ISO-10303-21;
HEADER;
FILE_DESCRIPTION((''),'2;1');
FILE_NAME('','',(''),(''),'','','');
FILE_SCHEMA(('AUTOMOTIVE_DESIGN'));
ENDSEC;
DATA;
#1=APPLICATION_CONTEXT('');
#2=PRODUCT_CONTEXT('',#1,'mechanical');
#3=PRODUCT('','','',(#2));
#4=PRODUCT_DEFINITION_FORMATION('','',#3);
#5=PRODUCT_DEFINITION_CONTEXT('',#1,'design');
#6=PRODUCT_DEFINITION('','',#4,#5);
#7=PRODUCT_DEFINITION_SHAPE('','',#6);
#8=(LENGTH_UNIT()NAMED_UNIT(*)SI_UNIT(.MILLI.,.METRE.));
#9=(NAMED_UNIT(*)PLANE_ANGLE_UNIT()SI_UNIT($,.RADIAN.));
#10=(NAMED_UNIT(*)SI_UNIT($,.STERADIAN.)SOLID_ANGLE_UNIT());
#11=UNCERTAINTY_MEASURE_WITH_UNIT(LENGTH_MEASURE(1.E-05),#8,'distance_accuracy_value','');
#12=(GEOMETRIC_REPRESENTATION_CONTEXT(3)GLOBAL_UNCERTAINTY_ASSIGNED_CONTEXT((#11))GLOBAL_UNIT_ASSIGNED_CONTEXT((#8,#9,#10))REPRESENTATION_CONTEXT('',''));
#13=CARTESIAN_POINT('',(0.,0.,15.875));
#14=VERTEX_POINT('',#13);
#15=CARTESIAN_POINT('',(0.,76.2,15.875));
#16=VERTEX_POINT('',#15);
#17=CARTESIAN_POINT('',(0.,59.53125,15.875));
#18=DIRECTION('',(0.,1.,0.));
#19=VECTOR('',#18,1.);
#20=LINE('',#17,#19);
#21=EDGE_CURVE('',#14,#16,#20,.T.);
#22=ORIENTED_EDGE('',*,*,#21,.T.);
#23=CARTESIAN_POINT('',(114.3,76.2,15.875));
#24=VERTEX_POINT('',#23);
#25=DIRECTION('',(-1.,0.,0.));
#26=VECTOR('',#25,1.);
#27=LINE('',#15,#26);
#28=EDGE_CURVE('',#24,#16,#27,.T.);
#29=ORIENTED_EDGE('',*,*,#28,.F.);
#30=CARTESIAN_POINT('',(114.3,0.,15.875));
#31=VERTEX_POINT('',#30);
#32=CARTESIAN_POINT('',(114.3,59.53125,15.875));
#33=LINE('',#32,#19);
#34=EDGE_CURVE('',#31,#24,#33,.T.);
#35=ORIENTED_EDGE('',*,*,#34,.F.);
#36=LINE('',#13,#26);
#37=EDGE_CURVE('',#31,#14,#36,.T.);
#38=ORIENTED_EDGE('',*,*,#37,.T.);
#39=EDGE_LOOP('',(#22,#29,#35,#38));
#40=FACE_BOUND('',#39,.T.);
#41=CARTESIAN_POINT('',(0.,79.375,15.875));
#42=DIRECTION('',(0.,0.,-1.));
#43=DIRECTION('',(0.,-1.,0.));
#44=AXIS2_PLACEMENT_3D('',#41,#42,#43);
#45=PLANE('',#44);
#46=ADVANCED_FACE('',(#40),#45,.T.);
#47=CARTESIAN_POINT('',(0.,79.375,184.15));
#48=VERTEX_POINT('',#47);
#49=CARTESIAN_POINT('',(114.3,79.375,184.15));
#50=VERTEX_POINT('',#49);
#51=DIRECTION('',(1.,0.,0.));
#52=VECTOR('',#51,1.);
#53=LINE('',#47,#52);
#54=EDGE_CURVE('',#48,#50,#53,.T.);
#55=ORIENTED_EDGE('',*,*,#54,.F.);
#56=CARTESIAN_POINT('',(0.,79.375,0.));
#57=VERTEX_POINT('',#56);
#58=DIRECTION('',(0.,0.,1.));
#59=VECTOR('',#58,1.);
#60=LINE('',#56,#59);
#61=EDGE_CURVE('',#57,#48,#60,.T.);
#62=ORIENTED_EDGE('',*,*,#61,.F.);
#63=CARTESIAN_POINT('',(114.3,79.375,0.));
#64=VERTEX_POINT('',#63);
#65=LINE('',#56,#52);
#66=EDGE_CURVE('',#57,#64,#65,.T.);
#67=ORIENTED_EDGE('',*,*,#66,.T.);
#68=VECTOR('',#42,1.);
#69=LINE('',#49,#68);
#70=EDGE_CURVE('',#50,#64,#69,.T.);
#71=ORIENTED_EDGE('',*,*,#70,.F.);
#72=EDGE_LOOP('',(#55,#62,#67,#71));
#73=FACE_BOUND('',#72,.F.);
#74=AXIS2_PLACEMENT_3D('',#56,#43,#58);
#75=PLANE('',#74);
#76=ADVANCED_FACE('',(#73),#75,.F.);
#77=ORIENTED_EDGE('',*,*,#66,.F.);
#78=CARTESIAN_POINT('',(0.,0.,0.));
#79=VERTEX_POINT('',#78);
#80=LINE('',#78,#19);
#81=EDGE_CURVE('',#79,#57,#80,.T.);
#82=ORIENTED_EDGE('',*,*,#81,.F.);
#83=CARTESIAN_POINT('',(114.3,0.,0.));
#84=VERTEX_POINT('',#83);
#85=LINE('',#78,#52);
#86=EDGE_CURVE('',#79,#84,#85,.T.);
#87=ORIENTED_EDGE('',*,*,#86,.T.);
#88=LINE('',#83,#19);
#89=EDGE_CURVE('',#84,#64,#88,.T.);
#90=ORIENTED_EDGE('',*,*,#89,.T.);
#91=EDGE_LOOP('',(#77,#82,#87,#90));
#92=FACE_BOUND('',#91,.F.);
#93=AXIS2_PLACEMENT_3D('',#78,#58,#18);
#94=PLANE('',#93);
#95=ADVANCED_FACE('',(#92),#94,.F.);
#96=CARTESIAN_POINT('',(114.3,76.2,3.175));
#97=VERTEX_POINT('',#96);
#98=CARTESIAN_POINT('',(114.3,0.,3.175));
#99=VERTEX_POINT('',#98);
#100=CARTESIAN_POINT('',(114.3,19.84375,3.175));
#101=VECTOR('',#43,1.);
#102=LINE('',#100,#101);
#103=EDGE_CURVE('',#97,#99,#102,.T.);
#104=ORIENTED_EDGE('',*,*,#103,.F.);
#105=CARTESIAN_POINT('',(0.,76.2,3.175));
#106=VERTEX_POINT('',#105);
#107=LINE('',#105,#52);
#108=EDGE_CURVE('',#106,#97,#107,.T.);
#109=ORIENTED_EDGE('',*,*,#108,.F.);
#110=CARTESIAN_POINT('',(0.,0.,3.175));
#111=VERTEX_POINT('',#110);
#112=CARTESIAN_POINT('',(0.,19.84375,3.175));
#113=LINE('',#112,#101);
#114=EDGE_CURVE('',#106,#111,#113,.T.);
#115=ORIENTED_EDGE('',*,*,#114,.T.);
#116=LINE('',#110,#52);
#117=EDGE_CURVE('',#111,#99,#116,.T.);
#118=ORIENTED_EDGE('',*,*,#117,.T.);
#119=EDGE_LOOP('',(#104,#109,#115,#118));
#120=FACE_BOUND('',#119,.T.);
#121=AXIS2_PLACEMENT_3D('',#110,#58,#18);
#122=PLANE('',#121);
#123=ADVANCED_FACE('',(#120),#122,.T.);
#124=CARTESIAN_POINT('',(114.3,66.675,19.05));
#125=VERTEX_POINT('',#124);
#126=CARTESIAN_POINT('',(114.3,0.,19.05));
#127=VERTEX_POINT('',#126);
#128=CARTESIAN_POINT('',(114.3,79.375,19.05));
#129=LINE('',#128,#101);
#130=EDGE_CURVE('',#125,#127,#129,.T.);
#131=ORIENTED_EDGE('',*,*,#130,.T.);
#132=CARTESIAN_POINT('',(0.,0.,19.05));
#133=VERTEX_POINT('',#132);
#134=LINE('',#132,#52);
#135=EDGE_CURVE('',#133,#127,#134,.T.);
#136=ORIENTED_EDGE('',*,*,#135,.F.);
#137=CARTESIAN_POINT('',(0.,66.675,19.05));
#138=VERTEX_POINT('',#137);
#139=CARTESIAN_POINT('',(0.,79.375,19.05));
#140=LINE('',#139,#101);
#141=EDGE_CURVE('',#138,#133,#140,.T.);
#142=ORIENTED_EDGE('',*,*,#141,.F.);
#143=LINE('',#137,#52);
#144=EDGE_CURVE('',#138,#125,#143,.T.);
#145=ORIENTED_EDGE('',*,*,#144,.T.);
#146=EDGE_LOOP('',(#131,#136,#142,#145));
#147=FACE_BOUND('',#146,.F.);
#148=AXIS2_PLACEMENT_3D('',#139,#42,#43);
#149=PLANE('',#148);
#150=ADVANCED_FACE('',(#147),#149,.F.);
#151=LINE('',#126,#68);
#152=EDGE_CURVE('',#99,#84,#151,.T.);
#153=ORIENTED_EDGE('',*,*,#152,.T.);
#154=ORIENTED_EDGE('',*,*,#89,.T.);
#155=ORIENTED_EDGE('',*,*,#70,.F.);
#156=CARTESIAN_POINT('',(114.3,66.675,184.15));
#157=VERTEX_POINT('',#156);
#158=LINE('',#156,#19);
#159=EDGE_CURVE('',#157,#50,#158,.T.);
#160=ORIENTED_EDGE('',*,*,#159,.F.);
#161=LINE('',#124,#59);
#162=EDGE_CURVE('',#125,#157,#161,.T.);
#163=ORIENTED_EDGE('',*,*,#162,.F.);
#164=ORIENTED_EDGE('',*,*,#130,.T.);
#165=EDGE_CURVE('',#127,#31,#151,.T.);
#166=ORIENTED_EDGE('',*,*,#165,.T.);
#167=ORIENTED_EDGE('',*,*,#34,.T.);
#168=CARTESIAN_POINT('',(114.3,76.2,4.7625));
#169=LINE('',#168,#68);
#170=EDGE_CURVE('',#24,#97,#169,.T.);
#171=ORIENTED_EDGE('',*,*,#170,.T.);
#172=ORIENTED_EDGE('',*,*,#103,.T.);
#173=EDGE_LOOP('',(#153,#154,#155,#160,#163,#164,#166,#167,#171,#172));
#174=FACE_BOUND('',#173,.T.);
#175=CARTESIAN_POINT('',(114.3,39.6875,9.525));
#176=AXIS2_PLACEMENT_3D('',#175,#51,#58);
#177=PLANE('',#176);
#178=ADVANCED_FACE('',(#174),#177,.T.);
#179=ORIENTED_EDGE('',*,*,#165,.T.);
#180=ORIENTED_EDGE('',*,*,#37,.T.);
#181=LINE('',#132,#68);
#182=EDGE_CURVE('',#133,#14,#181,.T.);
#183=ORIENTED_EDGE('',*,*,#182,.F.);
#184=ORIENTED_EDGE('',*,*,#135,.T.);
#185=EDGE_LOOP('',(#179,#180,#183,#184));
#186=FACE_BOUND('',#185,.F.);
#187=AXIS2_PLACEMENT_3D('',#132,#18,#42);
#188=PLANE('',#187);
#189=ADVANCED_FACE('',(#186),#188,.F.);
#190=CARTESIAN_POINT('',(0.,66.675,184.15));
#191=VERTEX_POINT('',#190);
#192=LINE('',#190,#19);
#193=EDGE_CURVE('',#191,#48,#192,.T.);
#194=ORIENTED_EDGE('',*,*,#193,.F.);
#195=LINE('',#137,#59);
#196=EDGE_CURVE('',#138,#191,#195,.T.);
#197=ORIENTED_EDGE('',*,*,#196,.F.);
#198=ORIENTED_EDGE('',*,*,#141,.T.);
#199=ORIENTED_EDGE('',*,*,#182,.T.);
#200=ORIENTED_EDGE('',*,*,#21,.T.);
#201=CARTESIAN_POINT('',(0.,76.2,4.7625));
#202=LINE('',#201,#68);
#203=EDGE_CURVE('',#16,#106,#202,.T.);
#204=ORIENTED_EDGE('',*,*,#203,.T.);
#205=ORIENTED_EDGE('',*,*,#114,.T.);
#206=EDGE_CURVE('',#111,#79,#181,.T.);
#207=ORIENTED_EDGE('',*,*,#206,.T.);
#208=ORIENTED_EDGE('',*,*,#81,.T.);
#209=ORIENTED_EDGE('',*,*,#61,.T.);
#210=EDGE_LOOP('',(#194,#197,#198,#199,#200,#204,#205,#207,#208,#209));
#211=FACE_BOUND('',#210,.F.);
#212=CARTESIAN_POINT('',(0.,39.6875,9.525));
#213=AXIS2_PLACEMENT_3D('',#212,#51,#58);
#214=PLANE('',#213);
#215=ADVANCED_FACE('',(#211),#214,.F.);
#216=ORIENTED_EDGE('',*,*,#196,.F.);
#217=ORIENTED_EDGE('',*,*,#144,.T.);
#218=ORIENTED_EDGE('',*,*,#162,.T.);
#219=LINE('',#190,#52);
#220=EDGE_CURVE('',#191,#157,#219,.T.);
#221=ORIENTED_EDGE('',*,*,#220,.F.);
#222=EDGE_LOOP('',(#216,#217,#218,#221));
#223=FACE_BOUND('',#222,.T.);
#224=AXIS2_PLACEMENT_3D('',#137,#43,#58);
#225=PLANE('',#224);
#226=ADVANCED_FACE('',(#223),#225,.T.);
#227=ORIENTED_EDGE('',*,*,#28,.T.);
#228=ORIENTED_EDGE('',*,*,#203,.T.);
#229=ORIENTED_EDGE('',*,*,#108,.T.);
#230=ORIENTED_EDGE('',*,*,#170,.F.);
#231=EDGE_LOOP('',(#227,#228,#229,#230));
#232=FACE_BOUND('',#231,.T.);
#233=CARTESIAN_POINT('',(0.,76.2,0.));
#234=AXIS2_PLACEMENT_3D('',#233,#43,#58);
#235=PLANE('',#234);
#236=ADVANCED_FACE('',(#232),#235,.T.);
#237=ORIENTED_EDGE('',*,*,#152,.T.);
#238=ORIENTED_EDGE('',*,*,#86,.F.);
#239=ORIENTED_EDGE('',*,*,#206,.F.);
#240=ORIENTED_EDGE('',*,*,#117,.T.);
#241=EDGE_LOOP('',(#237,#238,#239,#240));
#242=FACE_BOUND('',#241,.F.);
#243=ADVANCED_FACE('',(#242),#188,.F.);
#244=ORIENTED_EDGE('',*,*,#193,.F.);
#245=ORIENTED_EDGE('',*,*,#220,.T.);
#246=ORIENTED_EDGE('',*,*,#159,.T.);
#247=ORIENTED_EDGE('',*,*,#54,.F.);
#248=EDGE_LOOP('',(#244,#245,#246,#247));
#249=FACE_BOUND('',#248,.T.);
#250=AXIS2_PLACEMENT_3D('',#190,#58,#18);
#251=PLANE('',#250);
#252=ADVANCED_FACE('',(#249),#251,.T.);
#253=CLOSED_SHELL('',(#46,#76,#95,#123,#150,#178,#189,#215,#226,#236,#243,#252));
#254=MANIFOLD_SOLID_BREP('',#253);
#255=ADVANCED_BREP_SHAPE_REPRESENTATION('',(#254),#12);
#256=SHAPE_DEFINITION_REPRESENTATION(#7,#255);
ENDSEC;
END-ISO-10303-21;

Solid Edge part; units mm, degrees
sketch "Sketch1" plane through (0, 0, 0) normal (1, 0, 0) x (0, 1, 0)
  line L0 (79.375, 19.05) -> (0, 19.05)
  line L1 (0, 19.05) -> (0, 0)
  line L2 (0, 0) -> (79.375, 0)
  line L3 (79.375, 0) -> (79.375, 19.05)
extrude "Protrusion1" add sketch "Sketch1" along normal blind 114.3
shell "Thinwall_1" thickness 3.175 removed faces 3 at (114.3, 65.3521, 2.9845) at (94.107, 0, 16.0655) at (0, 65.3521, 2.9845)
sketch "Sketch2" plane through (0, 0, 0) normal (1, 0, 0) x (0, 1, 0)
  line L0 (79.375, 184.15) -> (79.375, 19.05)
  line L1 (79.375, 19.05) -> (66.675, 19.05)
  line L2 (66.675, 19.05) -> (66.675, 184.15)
  line L3 (66.675, 184.15) -> (79.375, 184.15)
extrude "Protrusion2" add sketch "Sketch2" along normal up to vertex (114.3 mm away)
properties material "ABS Plastic, medium impact"
